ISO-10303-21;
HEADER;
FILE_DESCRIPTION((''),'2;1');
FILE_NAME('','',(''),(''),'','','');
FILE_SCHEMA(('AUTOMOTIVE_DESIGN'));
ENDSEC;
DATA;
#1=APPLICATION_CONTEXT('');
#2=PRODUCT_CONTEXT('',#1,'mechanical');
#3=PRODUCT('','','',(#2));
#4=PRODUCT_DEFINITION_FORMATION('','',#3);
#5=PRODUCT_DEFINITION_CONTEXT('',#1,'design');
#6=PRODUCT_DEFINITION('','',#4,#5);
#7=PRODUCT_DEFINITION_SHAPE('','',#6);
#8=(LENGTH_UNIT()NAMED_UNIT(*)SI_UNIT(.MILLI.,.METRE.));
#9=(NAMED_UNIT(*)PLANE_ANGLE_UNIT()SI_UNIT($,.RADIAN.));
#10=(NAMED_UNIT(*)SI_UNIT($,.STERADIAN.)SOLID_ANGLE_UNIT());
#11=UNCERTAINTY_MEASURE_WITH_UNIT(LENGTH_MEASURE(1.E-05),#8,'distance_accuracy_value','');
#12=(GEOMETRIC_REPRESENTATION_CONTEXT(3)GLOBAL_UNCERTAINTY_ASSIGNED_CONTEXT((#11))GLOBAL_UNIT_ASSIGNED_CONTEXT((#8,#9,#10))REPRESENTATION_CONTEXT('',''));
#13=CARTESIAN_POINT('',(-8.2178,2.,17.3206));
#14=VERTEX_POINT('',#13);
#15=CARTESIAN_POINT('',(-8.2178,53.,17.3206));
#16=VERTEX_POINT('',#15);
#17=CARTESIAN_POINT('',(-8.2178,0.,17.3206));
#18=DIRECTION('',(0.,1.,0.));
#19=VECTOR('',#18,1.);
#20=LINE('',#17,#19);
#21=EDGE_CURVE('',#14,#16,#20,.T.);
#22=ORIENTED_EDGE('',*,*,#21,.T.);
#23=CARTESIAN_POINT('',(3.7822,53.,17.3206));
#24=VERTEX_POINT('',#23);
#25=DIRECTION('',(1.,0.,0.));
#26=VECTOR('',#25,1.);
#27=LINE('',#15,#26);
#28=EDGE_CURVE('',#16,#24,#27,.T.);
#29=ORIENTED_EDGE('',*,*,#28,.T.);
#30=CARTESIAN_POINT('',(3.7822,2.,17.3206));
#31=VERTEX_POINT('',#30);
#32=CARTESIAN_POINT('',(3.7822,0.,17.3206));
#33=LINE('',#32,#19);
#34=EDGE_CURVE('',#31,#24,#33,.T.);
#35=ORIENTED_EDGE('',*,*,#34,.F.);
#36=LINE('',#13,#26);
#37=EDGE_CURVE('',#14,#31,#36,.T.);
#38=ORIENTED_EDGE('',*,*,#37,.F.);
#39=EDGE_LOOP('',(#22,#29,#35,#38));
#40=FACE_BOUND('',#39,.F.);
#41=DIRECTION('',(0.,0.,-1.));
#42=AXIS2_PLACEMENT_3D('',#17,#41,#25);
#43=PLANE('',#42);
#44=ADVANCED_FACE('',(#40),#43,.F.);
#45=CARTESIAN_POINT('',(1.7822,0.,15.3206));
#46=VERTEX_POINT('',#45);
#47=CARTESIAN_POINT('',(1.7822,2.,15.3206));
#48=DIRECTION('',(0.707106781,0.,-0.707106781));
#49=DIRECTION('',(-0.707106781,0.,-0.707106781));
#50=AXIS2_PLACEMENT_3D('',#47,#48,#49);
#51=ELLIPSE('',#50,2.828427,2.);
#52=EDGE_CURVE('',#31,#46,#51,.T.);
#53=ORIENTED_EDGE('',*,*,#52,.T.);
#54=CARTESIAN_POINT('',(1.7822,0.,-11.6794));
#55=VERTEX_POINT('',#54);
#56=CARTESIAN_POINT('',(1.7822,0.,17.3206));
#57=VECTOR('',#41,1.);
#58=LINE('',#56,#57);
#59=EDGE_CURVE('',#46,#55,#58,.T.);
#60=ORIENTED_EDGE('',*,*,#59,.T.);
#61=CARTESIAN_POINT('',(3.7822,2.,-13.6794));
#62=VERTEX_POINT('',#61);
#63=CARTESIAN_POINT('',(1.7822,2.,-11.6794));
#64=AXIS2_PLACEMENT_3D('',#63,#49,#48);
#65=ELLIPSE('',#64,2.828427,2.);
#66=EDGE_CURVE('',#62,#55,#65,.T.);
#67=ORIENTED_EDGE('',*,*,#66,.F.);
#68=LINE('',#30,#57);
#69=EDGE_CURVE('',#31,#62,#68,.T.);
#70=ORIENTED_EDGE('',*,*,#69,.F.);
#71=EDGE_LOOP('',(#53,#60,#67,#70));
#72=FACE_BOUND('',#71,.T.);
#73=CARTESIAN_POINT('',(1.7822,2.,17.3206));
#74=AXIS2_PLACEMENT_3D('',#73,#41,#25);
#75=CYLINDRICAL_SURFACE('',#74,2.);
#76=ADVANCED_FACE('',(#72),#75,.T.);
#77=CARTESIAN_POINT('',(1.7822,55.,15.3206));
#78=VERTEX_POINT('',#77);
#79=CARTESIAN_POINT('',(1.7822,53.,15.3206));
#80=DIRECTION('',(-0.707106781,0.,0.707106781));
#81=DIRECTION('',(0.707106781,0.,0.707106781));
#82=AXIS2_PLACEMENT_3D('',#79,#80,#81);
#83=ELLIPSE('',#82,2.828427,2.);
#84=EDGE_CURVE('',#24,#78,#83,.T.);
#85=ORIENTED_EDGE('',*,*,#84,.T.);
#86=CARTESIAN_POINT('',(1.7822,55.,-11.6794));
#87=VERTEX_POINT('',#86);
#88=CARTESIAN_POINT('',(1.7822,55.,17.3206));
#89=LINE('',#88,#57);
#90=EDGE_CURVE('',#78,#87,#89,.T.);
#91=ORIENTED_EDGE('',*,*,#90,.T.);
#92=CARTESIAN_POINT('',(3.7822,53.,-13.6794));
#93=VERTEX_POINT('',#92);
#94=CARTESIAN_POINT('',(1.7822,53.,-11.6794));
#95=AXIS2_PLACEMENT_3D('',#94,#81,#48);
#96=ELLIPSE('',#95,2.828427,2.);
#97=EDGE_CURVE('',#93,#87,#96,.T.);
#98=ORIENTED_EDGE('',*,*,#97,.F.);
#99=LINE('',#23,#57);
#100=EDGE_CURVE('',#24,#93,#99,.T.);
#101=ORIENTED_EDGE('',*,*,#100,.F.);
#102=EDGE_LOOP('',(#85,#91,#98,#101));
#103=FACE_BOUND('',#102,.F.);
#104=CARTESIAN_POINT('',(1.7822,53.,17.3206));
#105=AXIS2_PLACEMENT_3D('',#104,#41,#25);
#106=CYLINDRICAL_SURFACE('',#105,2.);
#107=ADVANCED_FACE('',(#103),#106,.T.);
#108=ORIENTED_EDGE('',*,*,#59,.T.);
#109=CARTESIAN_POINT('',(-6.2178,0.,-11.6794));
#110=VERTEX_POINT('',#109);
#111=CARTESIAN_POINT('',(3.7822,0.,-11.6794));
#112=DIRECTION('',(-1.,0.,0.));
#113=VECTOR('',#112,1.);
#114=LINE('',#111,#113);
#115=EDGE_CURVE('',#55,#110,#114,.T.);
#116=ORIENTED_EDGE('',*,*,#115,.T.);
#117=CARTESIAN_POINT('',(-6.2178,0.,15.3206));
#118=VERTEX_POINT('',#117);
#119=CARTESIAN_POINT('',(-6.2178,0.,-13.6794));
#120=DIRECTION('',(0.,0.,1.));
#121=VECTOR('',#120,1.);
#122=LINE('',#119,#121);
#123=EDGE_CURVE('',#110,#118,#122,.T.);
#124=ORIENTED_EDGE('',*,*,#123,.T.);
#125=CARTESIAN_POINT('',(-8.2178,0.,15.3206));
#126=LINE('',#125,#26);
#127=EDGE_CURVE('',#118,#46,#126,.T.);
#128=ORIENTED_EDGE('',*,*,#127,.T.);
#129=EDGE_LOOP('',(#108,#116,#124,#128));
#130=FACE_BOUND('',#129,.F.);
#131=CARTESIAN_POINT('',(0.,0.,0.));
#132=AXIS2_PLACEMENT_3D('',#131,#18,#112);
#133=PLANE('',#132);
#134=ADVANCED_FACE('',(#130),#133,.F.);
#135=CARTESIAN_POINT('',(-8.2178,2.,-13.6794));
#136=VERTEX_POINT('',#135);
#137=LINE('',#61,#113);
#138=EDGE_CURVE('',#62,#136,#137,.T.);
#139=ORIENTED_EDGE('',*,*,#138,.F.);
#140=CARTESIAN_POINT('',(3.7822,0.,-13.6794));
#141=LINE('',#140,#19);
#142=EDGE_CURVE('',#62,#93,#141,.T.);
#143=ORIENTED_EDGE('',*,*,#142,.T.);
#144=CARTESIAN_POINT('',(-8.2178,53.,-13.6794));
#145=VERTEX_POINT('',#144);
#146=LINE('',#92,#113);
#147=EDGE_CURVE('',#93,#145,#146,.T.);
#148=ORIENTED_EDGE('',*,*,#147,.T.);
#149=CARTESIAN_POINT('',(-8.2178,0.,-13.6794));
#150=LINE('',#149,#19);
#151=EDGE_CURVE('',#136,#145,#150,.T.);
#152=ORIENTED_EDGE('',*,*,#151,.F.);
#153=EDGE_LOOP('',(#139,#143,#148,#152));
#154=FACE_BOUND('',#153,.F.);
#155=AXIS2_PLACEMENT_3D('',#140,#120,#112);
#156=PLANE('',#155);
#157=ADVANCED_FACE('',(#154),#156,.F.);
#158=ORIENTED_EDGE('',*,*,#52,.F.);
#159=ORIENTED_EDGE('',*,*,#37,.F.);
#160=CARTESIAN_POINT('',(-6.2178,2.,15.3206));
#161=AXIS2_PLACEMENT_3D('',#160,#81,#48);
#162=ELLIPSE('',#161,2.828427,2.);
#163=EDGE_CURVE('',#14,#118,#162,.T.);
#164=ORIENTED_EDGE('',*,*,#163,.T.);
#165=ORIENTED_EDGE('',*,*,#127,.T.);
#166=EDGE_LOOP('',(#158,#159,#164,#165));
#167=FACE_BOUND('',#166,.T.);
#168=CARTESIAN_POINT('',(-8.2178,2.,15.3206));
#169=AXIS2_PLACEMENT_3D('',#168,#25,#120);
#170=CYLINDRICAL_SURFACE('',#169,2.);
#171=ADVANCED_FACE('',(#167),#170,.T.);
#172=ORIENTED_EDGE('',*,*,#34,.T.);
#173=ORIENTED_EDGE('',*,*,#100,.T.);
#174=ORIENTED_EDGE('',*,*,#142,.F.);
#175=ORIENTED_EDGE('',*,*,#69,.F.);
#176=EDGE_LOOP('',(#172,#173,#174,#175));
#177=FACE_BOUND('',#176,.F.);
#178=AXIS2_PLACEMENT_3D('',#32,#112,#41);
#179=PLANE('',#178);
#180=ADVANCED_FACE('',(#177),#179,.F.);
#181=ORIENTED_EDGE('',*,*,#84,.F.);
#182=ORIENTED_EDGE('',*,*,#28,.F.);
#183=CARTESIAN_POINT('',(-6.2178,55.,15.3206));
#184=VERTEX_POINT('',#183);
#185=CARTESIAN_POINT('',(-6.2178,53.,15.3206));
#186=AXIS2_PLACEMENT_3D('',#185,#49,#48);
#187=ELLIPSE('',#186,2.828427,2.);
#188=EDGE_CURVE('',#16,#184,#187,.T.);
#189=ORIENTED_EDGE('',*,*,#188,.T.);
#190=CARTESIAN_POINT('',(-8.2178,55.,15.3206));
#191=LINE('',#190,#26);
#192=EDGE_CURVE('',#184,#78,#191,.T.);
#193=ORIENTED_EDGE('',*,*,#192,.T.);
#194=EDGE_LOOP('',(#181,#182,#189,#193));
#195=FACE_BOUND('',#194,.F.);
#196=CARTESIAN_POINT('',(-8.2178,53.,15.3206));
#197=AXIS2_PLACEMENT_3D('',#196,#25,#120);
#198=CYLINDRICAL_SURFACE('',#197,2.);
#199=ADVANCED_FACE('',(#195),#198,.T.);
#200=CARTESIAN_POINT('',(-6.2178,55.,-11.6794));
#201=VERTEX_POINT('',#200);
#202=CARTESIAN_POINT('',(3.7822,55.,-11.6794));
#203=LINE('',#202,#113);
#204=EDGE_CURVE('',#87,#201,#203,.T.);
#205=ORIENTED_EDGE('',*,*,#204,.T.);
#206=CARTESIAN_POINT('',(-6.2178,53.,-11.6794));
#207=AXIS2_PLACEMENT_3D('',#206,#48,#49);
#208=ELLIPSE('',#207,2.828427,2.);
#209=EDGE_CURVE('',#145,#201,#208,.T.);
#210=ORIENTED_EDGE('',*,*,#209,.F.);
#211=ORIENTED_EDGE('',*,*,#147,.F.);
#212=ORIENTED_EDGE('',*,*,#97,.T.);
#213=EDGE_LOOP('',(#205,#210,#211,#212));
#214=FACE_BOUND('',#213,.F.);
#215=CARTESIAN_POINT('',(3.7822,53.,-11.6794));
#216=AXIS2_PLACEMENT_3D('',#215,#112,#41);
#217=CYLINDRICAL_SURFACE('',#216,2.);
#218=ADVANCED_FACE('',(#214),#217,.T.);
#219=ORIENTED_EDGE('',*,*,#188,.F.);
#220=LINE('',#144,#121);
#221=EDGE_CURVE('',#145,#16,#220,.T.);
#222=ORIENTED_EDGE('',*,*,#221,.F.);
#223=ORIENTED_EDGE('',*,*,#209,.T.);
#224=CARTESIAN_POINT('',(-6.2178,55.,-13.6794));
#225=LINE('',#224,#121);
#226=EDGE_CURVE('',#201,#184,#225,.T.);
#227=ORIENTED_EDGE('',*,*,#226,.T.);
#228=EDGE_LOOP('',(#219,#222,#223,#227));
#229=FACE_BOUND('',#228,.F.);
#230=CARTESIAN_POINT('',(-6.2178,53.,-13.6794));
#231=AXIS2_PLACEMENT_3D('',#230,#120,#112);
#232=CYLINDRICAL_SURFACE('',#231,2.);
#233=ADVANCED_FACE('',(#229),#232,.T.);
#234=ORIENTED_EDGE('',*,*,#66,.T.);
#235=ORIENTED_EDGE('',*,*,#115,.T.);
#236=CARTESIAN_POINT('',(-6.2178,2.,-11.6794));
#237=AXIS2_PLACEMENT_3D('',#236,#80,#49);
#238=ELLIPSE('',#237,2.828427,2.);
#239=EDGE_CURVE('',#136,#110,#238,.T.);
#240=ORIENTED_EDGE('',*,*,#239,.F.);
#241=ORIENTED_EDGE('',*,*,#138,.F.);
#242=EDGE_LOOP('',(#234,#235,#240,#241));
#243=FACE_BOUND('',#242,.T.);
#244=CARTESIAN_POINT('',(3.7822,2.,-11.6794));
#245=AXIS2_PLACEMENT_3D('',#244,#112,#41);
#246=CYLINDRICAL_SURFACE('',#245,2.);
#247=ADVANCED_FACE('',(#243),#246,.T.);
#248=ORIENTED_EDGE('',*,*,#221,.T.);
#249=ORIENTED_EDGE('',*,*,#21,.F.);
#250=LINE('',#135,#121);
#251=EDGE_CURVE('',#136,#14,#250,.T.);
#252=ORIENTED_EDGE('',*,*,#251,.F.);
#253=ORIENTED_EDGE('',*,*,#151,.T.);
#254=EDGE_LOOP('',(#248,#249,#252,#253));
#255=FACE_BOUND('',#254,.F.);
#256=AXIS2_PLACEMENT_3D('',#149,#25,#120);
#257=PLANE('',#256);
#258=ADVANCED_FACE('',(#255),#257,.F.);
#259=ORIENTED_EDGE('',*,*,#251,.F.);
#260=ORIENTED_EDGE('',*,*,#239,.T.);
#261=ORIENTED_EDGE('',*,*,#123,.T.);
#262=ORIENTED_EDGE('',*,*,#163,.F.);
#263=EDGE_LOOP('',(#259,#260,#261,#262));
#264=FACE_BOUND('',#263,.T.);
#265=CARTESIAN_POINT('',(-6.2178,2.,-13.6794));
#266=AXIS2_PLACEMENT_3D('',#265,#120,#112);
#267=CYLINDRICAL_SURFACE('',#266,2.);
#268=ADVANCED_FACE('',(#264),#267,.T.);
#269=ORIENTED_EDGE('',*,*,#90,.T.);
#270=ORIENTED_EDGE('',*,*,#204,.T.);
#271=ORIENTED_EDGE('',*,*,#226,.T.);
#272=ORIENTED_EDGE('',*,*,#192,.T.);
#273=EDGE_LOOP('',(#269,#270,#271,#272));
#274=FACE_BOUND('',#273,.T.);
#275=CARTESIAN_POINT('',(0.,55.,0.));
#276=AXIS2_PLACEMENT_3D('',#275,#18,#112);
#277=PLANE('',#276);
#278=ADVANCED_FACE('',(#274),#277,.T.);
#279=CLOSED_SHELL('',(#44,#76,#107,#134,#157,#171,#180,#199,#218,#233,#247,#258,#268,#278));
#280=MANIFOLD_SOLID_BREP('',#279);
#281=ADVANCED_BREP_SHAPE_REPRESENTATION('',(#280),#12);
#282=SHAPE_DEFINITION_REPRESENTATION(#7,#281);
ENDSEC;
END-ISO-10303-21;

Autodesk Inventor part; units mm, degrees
ref_plane "YZ Plane" through (0, 0, 0) normal (1, 0, 0) x (0, 1, 0)
ref_plane "XZ Plane" through (0, 0, 0) normal (0, 1, 0) x (-1, 0, 0)
ref_plane "XY Plane" through (0, 0, 0) normal (0, 0, 1) x (1, 0, 0)
sketch "Sketch1" plane through (0, 0, 0) normal (0, 1, 0) x (-1, 0, 0)
  line L0 (8.2178, 17.3206) -> (-3.7822, 17.3206)
  line L1 (-3.7822, 17.3206) -> (-3.7822, -13.6794)
  line L2 (-3.7822, -13.6794) -> (8.2178, -13.6794)
  line L3 (8.2178, -13.6794) -> (8.2178, 17.3206)
  point P0 (0, 0)
  dimension "d0" = 31
  dimension "d1" = 12
extrude "Extrusion1" add sketch "Sketch1" along normal blind 55
fillet "Fillet1" radius 2 8 edges at (-2.2178, 55, 17.3206) (3.7822, 55, 1.8206) (-2.2178, 55, -13.6794) (-8.2178, 55, 1.8206) (3.7822, 0, 1.8206) (-2.2178, 0, 17.3206) (-2.2178, 0, -13.6794) (-8.2178, 0, 1.8206)
properties part number "Battery"
